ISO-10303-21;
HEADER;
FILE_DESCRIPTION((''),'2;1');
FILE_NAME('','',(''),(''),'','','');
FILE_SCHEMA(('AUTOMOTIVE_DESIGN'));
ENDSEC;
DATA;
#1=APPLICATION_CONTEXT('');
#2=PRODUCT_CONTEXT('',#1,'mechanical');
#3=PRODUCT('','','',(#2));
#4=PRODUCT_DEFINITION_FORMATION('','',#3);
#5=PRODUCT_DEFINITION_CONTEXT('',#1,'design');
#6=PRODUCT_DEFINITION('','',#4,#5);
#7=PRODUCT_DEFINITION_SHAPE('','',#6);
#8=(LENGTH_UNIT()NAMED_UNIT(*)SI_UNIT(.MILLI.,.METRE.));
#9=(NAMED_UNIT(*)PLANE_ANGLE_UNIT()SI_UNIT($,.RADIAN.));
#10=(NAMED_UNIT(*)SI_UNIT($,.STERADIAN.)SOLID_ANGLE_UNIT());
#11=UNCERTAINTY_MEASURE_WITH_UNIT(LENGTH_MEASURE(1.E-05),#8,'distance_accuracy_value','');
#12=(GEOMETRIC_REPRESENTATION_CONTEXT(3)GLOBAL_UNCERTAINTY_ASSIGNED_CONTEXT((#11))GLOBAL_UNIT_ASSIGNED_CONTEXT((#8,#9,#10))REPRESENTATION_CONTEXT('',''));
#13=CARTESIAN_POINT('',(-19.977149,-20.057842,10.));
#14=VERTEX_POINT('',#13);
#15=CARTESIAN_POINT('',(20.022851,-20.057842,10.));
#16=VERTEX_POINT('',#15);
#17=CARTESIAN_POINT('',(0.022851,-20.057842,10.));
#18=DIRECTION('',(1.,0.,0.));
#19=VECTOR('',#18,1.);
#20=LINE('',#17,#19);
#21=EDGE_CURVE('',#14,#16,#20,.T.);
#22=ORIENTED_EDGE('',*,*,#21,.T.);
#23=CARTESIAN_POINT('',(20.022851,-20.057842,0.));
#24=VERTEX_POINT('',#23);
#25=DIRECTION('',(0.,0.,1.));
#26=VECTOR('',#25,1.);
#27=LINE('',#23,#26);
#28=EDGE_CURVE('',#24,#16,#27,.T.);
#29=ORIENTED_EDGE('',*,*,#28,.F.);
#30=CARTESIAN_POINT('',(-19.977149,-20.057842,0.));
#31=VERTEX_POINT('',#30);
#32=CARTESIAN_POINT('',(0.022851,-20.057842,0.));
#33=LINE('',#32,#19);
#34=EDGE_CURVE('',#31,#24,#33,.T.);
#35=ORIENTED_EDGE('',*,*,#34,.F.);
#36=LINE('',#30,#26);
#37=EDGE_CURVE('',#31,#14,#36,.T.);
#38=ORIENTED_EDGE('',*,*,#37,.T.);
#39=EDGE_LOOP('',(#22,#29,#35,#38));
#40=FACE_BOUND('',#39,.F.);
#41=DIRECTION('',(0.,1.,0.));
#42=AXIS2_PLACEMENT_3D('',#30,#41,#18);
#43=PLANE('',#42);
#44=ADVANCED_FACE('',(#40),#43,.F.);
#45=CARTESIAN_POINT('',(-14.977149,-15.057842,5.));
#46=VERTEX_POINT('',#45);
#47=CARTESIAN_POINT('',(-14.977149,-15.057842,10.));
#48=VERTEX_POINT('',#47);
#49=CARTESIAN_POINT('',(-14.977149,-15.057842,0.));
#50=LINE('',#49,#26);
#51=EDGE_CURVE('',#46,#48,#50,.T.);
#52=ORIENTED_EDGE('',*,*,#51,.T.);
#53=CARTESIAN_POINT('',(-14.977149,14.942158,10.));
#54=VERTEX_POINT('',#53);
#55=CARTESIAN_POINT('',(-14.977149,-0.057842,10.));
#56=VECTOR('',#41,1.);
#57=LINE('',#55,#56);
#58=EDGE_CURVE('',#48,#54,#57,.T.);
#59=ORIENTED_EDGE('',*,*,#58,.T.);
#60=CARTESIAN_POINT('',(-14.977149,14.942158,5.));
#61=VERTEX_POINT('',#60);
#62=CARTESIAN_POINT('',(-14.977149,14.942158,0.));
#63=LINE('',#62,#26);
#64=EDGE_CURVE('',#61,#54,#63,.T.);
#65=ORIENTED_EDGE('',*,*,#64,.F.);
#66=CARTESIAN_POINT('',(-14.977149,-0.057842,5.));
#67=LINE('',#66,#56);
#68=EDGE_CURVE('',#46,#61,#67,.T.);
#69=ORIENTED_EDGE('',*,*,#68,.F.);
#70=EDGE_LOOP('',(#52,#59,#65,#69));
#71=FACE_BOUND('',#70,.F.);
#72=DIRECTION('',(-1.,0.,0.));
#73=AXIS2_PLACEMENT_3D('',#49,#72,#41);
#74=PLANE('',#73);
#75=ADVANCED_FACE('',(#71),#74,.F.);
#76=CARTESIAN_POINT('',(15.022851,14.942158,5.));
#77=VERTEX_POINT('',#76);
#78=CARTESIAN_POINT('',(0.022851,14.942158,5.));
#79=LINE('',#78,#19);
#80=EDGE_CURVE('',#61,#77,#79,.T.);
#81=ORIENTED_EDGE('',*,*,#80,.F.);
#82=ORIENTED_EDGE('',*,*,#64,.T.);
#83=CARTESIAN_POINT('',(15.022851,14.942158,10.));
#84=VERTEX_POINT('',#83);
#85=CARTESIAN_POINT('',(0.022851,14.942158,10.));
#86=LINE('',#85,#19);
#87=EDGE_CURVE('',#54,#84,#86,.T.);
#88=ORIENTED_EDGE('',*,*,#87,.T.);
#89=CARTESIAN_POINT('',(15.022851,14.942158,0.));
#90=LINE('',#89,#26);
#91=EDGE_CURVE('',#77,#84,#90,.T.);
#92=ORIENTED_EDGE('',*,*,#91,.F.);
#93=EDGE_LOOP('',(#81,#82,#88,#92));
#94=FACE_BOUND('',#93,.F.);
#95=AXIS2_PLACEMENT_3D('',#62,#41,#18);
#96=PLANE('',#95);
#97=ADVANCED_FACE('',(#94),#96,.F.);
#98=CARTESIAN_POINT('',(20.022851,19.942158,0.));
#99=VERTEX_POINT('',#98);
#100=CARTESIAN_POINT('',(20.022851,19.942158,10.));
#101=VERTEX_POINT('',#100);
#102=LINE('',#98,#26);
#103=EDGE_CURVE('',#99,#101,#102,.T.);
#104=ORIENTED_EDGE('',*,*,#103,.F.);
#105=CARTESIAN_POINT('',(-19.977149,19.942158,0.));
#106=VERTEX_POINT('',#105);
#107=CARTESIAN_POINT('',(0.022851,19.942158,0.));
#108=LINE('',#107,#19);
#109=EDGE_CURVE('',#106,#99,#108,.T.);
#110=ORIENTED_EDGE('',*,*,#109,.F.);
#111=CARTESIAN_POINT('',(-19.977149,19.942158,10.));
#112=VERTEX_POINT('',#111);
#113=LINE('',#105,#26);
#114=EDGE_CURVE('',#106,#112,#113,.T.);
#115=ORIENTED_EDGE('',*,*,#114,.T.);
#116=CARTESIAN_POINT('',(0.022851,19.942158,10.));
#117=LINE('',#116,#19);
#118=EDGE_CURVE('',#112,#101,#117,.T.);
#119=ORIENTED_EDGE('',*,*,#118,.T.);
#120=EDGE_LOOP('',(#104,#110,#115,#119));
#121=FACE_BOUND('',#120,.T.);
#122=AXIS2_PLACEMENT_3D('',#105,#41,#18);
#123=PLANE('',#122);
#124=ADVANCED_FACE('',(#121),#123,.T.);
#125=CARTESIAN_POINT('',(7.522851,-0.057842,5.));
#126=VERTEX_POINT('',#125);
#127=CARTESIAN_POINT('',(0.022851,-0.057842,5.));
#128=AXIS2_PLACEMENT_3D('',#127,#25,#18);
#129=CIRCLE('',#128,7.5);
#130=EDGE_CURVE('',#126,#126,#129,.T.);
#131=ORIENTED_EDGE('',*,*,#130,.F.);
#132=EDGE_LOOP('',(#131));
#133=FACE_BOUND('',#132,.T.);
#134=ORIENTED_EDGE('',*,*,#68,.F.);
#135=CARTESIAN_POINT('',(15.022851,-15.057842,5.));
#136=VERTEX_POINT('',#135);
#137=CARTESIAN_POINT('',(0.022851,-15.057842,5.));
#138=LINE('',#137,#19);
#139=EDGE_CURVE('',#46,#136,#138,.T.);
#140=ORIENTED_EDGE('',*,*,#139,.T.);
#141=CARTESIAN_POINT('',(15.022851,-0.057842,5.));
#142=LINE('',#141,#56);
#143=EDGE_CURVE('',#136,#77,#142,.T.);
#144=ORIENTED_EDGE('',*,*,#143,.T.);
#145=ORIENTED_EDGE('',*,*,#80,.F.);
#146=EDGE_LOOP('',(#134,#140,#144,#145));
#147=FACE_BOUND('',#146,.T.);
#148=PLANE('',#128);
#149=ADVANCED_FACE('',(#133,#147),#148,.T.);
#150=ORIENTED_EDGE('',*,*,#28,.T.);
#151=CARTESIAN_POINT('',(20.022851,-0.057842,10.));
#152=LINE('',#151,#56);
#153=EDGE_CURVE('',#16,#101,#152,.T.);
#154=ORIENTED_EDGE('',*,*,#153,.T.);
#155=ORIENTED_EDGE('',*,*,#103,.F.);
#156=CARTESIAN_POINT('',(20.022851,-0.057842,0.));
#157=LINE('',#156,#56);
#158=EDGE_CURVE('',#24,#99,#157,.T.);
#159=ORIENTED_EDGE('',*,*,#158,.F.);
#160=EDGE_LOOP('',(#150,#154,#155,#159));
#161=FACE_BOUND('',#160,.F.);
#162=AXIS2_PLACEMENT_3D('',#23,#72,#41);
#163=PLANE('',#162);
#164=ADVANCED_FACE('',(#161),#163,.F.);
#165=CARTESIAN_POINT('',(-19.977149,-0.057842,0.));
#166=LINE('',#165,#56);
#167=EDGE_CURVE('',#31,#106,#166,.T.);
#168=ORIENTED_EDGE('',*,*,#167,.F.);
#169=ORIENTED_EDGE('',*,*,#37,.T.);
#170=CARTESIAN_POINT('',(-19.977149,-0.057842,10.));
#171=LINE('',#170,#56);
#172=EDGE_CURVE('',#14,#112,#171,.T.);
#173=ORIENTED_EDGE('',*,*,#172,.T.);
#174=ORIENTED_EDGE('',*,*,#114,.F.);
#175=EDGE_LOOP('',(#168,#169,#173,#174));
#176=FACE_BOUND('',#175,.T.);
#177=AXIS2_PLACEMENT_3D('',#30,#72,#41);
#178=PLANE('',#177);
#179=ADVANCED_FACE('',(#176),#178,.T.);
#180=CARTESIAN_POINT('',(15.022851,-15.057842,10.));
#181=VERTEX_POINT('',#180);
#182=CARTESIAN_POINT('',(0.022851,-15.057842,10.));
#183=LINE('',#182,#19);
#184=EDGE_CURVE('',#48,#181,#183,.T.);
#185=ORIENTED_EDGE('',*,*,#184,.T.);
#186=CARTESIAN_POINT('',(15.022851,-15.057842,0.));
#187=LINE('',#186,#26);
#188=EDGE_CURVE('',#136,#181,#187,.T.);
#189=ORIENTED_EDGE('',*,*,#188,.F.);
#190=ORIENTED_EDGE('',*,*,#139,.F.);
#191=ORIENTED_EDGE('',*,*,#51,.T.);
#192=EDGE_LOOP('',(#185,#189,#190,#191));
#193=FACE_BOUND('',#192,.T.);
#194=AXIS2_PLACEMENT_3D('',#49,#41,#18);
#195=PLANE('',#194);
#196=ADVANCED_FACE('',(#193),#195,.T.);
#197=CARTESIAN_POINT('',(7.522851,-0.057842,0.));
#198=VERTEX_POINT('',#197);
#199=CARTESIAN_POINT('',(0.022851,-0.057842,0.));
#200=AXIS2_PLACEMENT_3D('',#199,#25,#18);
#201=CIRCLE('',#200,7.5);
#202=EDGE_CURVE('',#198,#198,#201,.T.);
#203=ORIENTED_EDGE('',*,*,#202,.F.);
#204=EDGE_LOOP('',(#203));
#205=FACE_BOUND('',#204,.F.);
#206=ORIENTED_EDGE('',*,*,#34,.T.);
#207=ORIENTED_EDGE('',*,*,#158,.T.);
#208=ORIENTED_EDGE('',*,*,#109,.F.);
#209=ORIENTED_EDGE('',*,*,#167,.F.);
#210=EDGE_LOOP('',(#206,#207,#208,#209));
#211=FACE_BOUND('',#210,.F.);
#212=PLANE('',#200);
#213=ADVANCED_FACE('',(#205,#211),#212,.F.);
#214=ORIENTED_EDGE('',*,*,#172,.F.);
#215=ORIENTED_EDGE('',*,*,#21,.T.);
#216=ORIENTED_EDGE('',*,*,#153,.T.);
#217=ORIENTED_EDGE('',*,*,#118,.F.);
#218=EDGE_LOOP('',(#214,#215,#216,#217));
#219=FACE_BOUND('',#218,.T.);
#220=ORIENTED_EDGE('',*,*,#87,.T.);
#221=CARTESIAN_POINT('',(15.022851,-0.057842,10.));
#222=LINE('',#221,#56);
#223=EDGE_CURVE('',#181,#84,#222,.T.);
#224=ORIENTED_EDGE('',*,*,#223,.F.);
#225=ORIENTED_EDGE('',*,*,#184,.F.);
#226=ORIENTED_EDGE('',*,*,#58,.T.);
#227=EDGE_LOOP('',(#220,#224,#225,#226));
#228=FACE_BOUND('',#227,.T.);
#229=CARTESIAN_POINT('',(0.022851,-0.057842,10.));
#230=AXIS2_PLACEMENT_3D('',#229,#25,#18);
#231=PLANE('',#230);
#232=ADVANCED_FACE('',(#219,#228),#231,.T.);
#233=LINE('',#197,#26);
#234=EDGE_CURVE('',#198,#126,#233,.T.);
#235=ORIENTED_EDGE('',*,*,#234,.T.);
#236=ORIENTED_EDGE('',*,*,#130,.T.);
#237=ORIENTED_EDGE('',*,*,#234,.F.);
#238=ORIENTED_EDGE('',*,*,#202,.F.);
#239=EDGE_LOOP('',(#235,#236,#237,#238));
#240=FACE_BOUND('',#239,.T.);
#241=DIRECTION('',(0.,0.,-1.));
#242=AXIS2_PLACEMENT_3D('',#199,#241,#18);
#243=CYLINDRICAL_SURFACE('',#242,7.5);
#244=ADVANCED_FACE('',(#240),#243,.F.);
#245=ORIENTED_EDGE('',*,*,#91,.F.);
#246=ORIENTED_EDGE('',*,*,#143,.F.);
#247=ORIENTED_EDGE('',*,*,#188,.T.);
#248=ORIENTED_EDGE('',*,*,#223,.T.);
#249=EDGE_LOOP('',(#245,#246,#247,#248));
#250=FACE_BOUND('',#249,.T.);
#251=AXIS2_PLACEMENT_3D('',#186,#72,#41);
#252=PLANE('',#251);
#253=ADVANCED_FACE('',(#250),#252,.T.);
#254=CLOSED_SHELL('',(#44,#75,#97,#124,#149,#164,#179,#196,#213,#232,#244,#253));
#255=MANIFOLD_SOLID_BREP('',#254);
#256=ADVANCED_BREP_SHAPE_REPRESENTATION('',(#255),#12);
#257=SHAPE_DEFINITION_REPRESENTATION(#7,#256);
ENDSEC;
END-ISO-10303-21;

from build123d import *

# Parameters (mm, degrees)
F0_W     = 30
F0_H     = 30
F0_R     = 7.5
F1_DEPTH = 5
F0_W_2   = 40
F0_H_2   = 40
F2_DEPTH = 10


with BuildPart() as f1:
    # F0 (on Top) → F1 (new body)
    with BuildSketch(Plane.XY):
        with Locations((0.022851, -0.057842)):
            Rectangle(F0_W, F0_H)
        with Locations((0.022851, -0.057842)):
            Circle(F0_R, mode=Mode.SUBTRACT)
    extrude(amount=F1_DEPTH)

    # F0 (on Top) → F2 (join)
    with BuildSketch(Plane.XY):
        with Locations((0.022851, -0.057842)):
            Rectangle(F0_W_2, F0_H_2)
        with Locations((0.022851, -0.057842)):
            Rectangle(F0_W, F0_H, mode=Mode.SUBTRACT)
    extrude(amount=F2_DEPTH)


solid = f1.part
